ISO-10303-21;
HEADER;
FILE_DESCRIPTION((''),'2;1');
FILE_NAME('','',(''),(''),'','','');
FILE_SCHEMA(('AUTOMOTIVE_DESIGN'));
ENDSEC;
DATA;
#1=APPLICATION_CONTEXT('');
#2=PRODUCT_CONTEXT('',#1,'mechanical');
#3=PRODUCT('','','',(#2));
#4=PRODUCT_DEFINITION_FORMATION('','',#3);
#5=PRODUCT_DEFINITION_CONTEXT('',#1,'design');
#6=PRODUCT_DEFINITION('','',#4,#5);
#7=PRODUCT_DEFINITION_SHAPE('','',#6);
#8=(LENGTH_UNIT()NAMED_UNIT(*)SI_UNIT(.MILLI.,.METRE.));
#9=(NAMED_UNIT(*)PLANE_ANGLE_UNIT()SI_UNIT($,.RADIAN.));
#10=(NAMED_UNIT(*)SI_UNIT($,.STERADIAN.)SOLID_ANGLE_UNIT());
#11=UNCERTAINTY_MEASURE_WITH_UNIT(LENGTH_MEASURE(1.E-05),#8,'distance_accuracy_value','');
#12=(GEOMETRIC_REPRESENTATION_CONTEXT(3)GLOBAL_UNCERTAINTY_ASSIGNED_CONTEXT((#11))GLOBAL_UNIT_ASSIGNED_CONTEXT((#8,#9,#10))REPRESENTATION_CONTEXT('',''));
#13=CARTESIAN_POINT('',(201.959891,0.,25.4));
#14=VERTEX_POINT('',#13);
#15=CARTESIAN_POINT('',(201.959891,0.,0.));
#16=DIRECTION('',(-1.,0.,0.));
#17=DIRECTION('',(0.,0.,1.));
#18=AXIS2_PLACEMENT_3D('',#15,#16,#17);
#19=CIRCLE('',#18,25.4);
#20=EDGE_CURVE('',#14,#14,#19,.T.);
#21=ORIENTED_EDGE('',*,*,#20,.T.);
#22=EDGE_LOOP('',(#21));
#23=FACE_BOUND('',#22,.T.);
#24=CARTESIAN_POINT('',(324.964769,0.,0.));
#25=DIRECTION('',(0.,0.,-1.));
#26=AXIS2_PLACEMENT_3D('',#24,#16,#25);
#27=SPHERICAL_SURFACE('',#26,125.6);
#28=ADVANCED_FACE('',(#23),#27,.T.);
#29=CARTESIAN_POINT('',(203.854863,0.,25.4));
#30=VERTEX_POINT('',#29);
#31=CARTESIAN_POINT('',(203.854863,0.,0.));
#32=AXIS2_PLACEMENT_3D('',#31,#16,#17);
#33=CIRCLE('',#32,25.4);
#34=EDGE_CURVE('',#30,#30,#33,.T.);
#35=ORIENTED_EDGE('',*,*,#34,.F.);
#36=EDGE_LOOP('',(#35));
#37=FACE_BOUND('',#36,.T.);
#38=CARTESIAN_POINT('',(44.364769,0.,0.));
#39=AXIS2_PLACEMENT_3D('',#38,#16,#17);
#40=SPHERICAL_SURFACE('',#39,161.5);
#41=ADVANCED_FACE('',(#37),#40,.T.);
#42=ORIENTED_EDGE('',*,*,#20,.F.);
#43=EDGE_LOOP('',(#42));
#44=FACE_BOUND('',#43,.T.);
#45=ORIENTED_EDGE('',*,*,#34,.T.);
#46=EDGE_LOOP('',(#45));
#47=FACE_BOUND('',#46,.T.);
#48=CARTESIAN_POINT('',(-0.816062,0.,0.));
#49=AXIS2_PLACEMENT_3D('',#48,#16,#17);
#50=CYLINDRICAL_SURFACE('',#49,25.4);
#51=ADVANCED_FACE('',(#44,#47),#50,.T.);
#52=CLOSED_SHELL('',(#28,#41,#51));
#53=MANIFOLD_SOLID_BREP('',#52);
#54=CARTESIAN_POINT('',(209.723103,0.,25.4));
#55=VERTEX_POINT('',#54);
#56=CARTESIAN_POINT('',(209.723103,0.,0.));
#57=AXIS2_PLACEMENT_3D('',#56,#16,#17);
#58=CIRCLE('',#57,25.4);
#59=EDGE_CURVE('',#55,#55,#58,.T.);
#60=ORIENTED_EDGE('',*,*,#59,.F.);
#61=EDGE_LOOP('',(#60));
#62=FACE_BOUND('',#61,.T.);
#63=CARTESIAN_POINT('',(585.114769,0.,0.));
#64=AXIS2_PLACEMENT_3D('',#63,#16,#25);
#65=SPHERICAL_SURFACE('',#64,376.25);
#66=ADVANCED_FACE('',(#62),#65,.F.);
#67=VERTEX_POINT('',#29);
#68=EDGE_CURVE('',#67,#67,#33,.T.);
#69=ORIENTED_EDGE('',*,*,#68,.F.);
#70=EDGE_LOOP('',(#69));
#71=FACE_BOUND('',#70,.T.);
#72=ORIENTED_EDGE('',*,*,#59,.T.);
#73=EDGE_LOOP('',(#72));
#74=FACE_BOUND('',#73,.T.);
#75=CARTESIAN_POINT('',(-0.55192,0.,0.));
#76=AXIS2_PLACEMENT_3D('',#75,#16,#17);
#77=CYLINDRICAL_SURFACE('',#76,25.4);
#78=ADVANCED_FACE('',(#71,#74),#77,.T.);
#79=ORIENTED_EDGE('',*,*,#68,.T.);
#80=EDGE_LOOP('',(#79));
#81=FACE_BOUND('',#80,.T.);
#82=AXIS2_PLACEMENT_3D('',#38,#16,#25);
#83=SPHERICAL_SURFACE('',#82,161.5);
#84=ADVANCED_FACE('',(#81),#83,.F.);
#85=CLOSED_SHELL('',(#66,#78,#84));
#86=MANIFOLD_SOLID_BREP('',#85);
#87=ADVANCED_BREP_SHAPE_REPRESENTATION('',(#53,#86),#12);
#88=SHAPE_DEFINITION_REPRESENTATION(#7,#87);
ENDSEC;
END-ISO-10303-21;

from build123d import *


with BuildPart() as part:
    # 草图1 one side → 旋转1 (revolve)
    with BuildSketch(Plane(origin=(0, 0, 0), x_dir=(1, 0, 0), z_dir=(0, 1, 0)), mode=Mode.PRIVATE) as revolve_1_sk:
        with BuildLine():
            ThreePointArc((201.959891009, 25.4), (200.015233806, 12.76611392), (199.364768961, 0))
            Line((199.364768961, 0), (205.864768961, 0))
            ThreePointArc((205.864768961, 0), (205.361508274, 12.739699007), (203.854862698, 25.4))
            Line((203.854862698, 25.4), (201.959891009, 25.4))
        make_face()
    revolve(revolve_1_sk.sketch.rotate(Axis((-0.816062176, 0, 0), (1, 0, 0)), 180), axis=Axis((-0.816062176, 0, 0), (1, 0, 0)))  # turned: the seam where the file's is


with BuildPart() as body_2:
    # 草图2 one side → 旋转2 (revolve)
    with BuildSketch(Plane(origin=(0, 0, 0), x_dir=(1, 0, 0), z_dir=(0, 1, 0))):
        with BuildLine():
            Line((209.723103497, 25.4), (203.854862698, 25.4))
            ThreePointArc((203.854862698, 25.4), (205.361508274, 12.739699007), (205.864768961, 0))
            Line((205.864768961, 0), (208.864768961, 0))
            ThreePointArc((208.864768961, 0), (209.079413821, 12.707249291), (209.723103497, 25.4))
        make_face()
    revolve(axis=Axis((-0.551919993, 0, 0), (1, 0, 0)))


solid = Compound([part.part, body_2.part])
